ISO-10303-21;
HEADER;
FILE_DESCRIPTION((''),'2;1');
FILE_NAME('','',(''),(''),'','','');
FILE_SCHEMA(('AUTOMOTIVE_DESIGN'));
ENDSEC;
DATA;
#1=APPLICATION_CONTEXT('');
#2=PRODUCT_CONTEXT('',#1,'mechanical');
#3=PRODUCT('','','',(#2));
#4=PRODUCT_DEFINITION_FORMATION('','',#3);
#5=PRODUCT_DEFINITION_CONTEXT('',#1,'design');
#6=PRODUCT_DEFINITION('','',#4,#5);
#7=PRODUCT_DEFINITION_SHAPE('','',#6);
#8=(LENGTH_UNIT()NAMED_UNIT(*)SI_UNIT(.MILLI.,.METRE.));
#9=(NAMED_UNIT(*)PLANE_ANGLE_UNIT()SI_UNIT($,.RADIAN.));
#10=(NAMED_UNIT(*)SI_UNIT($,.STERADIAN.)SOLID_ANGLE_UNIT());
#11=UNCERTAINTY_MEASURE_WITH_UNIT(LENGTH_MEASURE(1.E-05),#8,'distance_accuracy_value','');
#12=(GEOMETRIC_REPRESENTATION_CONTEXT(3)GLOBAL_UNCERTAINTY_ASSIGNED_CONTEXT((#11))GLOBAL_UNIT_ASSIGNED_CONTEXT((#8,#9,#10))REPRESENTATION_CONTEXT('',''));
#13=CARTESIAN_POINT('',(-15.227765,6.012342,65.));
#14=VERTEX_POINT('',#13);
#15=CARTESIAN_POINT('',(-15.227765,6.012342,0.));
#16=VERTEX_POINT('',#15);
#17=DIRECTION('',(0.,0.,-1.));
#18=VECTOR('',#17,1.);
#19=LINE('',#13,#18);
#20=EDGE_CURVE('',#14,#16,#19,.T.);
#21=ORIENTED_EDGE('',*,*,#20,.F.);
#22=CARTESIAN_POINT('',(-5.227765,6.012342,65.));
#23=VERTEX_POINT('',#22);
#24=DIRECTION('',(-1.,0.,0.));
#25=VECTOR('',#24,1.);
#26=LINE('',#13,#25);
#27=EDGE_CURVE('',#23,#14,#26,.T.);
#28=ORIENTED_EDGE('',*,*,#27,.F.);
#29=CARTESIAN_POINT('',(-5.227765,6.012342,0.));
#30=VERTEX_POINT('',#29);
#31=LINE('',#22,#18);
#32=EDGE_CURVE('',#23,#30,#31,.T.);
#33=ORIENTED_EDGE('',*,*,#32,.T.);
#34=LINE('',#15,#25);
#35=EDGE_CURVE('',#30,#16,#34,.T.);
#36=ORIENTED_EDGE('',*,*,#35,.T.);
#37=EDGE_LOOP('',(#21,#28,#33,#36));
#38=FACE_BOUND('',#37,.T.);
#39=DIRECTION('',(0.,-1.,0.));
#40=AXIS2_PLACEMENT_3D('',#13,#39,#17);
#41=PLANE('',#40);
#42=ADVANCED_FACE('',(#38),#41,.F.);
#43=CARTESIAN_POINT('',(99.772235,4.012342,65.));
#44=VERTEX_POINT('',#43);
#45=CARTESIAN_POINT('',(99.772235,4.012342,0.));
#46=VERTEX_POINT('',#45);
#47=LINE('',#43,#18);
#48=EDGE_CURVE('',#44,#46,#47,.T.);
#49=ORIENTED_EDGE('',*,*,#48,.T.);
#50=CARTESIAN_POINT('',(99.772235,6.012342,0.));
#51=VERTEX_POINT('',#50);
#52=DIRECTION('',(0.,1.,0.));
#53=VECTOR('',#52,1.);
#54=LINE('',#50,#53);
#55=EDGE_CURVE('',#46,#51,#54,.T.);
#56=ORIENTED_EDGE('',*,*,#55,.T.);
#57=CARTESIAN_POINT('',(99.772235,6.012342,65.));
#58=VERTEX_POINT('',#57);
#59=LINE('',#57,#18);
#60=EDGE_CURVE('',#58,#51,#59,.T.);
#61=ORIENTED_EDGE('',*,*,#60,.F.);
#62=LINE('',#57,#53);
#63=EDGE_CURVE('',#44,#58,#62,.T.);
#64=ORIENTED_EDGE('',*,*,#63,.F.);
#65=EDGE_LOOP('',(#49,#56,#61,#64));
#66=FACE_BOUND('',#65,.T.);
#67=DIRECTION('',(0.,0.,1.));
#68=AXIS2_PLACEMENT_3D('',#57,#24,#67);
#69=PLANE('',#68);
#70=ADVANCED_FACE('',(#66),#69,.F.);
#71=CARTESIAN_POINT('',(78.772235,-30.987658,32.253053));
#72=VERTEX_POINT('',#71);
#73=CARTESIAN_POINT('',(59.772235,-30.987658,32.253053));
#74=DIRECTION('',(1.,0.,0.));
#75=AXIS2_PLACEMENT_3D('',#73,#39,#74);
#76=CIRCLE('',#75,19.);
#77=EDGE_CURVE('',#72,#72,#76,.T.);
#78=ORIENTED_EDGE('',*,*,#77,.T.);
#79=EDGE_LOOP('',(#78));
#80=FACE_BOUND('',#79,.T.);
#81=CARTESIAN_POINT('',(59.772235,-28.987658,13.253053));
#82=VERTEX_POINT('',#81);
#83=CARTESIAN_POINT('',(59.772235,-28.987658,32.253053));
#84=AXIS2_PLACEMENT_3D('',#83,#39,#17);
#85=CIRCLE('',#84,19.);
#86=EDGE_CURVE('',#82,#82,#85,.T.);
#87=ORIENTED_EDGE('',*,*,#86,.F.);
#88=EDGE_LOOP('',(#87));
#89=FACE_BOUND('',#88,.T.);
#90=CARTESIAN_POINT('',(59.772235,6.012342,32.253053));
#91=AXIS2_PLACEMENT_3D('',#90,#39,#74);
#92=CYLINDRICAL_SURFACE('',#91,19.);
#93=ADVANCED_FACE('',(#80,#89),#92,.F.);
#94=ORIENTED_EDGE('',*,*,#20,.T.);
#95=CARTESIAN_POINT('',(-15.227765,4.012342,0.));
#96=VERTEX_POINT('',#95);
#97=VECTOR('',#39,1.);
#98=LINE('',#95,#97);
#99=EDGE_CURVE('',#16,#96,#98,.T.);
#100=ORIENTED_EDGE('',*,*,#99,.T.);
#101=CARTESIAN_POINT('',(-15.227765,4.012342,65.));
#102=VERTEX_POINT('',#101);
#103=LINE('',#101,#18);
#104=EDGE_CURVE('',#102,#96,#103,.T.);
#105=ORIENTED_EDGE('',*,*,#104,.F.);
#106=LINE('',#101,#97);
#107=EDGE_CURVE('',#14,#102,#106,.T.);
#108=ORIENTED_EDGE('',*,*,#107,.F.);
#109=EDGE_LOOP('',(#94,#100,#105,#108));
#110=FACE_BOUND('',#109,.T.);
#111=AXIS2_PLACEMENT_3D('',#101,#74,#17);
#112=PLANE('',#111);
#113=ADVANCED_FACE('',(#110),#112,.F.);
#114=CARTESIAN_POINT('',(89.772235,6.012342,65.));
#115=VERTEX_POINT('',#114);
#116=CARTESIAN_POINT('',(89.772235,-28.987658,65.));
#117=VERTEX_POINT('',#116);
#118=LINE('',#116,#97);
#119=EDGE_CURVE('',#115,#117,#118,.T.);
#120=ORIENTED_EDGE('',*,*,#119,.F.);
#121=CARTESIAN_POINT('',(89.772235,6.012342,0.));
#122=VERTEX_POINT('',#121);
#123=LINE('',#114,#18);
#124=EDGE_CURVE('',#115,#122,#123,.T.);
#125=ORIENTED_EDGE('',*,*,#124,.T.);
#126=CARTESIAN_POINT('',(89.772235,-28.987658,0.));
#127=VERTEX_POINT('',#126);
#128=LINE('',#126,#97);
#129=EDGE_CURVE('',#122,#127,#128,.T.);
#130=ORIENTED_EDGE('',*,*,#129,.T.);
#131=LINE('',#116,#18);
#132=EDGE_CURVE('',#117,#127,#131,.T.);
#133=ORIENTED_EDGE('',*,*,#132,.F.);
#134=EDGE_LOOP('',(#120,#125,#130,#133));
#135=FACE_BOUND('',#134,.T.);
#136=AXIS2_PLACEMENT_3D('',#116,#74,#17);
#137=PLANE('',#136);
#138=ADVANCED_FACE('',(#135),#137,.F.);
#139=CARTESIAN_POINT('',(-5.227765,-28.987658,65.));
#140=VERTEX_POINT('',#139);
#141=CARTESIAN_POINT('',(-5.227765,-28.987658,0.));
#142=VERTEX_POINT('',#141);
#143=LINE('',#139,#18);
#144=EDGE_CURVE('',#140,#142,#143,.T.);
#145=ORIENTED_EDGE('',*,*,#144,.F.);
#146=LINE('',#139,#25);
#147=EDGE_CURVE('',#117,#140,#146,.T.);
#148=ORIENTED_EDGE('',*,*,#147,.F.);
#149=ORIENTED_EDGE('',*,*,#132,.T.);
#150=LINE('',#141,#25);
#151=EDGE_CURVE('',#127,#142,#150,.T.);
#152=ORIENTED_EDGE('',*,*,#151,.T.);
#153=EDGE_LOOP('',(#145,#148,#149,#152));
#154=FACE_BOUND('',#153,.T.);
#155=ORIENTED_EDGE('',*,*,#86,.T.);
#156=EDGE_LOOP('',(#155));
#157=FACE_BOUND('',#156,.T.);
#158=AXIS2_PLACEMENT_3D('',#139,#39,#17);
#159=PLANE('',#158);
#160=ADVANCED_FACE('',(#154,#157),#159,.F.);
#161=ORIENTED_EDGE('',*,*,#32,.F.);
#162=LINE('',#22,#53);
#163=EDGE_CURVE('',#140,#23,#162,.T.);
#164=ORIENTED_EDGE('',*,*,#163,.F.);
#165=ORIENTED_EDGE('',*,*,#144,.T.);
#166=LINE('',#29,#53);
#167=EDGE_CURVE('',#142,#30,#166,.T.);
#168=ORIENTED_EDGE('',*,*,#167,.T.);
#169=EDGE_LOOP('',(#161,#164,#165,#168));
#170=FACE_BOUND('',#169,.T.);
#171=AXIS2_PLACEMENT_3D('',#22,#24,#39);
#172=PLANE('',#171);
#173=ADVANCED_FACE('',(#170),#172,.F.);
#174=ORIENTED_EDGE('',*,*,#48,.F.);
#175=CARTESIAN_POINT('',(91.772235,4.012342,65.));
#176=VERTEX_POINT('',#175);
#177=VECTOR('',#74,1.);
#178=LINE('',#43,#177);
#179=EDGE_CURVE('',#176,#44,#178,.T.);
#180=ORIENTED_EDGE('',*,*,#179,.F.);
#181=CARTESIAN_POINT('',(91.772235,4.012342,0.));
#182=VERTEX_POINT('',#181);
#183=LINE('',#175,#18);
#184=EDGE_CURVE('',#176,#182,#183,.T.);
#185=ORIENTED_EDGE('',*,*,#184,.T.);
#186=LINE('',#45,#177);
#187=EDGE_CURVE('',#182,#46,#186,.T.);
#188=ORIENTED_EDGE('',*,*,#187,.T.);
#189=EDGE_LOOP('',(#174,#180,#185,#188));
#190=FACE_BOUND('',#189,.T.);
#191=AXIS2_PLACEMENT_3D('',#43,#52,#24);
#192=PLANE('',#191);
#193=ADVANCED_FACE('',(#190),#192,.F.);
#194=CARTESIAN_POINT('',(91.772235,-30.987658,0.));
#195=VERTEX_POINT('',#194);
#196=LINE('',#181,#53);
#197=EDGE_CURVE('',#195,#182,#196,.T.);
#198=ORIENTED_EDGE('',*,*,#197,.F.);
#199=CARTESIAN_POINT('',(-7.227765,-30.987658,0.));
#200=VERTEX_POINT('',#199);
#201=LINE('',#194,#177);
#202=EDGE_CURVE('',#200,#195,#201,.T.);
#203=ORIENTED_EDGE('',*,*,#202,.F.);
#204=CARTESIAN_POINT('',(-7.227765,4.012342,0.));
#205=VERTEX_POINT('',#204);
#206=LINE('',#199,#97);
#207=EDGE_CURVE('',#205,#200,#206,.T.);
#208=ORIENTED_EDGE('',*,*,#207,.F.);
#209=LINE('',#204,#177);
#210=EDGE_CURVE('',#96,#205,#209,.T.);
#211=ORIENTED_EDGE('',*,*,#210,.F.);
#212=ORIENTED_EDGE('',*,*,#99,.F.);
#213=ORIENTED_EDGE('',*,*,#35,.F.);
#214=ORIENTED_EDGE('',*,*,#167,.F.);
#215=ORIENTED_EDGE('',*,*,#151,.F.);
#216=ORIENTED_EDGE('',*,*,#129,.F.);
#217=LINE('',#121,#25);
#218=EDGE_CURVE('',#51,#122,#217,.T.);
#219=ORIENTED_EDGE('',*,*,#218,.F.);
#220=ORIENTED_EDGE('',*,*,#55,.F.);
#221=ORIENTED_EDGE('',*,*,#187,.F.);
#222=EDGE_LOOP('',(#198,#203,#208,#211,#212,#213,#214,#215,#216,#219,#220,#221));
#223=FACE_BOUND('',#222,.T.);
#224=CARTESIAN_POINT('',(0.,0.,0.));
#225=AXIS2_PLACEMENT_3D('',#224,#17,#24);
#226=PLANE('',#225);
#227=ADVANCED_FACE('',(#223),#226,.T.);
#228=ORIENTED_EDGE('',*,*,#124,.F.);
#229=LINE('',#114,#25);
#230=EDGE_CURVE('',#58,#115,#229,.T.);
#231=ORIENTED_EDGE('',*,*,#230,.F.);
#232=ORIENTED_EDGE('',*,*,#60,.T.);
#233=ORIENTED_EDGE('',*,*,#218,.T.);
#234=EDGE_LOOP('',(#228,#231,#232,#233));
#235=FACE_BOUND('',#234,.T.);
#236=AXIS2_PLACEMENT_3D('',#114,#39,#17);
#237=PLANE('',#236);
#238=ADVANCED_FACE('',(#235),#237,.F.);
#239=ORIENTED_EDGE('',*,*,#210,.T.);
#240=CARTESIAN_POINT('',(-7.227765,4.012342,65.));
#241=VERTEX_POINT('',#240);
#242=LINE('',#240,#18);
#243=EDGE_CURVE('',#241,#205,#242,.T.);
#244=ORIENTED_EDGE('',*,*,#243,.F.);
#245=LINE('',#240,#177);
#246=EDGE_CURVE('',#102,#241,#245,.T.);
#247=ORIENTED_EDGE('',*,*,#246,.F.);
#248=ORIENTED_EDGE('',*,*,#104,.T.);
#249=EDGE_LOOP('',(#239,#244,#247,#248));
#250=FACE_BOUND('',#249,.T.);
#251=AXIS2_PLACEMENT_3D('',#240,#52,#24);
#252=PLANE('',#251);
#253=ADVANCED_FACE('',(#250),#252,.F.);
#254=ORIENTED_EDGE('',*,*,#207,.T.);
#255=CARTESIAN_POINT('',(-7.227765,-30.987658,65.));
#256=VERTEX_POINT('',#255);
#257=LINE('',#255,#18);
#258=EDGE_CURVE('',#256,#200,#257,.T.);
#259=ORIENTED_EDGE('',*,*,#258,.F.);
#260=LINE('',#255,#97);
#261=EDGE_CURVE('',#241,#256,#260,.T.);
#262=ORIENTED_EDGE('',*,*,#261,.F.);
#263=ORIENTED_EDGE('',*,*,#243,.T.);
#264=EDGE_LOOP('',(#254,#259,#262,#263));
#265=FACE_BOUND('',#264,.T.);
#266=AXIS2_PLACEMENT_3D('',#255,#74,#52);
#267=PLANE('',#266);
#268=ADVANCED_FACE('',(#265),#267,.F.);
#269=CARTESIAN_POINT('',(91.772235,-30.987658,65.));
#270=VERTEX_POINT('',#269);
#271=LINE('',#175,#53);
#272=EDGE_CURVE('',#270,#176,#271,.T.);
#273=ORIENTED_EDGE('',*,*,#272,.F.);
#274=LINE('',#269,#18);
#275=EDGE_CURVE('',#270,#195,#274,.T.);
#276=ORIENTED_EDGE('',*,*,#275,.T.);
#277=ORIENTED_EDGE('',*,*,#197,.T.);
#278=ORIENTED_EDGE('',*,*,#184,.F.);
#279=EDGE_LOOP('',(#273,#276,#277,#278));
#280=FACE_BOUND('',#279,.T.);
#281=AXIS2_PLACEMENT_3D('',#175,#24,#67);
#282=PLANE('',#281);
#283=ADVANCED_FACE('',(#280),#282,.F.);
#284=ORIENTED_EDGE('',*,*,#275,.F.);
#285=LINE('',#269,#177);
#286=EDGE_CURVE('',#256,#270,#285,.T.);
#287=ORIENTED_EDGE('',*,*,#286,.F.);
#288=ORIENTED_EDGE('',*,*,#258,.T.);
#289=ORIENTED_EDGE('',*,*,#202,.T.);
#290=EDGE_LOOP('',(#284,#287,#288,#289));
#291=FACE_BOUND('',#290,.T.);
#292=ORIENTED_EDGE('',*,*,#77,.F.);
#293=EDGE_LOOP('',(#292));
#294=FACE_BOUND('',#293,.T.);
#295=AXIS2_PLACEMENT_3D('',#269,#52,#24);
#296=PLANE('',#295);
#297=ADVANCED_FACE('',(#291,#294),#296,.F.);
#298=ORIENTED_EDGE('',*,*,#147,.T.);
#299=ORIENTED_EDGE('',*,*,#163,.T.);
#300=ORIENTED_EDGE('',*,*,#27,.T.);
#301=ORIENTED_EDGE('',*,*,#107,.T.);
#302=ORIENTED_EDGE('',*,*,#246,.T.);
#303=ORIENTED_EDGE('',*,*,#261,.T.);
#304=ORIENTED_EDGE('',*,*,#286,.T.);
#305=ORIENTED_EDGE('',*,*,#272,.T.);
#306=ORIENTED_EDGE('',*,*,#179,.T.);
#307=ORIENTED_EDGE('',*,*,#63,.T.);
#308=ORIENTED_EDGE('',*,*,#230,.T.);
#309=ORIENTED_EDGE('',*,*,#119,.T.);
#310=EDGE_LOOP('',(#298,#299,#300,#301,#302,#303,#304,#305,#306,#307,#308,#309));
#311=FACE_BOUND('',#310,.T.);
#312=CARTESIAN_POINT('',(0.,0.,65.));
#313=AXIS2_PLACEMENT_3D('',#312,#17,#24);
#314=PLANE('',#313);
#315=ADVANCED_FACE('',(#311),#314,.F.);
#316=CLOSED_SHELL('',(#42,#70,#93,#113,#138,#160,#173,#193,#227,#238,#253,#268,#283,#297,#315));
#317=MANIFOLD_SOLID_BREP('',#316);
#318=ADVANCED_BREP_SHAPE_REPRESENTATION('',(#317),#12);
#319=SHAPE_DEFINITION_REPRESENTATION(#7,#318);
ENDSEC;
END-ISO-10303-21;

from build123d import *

# Parameters (mm, degrees)
BOSS_EXTRUDE1_DEPTH = 65
SKETCH2_R           = 19
CUT_EXTRUDE1_DEPTH  = 125.693619771


with BuildPart() as part:
    # Sketch1 → Boss-Extrude1 (new body)
    with BuildSketch(Plane.XY):
        Polygon((-15.227765327, 6.012341763), (-5.227765327, 6.012341763), (-5.227765327, -28.987658237), (89.772234673, -28.987658237), (89.772234673, 6.012341763), (99.772234673, 6.012341763), (99.772234673, 4.012341763), (91.772234673, 4.012341763), (91.772234673, -30.987658237), (-7.227765327, -30.987658237), (-7.227765327, 4.012341763), (-15.227765327, 4.012341763), align=None)
    extrude(amount=BOSS_EXTRUDE1_DEPTH)

    # Sketch2 → Cut-Extrude1 (cut, through all)
    with BuildSketch(Plane.XZ.offset(30.987658237)):
        with Locations((59.772234673, 32.253053016)):
            Circle(SKETCH2_R)
    extrude(amount=-CUT_EXTRUDE1_DEPTH, mode=Mode.SUBTRACT)


solid = part.part
